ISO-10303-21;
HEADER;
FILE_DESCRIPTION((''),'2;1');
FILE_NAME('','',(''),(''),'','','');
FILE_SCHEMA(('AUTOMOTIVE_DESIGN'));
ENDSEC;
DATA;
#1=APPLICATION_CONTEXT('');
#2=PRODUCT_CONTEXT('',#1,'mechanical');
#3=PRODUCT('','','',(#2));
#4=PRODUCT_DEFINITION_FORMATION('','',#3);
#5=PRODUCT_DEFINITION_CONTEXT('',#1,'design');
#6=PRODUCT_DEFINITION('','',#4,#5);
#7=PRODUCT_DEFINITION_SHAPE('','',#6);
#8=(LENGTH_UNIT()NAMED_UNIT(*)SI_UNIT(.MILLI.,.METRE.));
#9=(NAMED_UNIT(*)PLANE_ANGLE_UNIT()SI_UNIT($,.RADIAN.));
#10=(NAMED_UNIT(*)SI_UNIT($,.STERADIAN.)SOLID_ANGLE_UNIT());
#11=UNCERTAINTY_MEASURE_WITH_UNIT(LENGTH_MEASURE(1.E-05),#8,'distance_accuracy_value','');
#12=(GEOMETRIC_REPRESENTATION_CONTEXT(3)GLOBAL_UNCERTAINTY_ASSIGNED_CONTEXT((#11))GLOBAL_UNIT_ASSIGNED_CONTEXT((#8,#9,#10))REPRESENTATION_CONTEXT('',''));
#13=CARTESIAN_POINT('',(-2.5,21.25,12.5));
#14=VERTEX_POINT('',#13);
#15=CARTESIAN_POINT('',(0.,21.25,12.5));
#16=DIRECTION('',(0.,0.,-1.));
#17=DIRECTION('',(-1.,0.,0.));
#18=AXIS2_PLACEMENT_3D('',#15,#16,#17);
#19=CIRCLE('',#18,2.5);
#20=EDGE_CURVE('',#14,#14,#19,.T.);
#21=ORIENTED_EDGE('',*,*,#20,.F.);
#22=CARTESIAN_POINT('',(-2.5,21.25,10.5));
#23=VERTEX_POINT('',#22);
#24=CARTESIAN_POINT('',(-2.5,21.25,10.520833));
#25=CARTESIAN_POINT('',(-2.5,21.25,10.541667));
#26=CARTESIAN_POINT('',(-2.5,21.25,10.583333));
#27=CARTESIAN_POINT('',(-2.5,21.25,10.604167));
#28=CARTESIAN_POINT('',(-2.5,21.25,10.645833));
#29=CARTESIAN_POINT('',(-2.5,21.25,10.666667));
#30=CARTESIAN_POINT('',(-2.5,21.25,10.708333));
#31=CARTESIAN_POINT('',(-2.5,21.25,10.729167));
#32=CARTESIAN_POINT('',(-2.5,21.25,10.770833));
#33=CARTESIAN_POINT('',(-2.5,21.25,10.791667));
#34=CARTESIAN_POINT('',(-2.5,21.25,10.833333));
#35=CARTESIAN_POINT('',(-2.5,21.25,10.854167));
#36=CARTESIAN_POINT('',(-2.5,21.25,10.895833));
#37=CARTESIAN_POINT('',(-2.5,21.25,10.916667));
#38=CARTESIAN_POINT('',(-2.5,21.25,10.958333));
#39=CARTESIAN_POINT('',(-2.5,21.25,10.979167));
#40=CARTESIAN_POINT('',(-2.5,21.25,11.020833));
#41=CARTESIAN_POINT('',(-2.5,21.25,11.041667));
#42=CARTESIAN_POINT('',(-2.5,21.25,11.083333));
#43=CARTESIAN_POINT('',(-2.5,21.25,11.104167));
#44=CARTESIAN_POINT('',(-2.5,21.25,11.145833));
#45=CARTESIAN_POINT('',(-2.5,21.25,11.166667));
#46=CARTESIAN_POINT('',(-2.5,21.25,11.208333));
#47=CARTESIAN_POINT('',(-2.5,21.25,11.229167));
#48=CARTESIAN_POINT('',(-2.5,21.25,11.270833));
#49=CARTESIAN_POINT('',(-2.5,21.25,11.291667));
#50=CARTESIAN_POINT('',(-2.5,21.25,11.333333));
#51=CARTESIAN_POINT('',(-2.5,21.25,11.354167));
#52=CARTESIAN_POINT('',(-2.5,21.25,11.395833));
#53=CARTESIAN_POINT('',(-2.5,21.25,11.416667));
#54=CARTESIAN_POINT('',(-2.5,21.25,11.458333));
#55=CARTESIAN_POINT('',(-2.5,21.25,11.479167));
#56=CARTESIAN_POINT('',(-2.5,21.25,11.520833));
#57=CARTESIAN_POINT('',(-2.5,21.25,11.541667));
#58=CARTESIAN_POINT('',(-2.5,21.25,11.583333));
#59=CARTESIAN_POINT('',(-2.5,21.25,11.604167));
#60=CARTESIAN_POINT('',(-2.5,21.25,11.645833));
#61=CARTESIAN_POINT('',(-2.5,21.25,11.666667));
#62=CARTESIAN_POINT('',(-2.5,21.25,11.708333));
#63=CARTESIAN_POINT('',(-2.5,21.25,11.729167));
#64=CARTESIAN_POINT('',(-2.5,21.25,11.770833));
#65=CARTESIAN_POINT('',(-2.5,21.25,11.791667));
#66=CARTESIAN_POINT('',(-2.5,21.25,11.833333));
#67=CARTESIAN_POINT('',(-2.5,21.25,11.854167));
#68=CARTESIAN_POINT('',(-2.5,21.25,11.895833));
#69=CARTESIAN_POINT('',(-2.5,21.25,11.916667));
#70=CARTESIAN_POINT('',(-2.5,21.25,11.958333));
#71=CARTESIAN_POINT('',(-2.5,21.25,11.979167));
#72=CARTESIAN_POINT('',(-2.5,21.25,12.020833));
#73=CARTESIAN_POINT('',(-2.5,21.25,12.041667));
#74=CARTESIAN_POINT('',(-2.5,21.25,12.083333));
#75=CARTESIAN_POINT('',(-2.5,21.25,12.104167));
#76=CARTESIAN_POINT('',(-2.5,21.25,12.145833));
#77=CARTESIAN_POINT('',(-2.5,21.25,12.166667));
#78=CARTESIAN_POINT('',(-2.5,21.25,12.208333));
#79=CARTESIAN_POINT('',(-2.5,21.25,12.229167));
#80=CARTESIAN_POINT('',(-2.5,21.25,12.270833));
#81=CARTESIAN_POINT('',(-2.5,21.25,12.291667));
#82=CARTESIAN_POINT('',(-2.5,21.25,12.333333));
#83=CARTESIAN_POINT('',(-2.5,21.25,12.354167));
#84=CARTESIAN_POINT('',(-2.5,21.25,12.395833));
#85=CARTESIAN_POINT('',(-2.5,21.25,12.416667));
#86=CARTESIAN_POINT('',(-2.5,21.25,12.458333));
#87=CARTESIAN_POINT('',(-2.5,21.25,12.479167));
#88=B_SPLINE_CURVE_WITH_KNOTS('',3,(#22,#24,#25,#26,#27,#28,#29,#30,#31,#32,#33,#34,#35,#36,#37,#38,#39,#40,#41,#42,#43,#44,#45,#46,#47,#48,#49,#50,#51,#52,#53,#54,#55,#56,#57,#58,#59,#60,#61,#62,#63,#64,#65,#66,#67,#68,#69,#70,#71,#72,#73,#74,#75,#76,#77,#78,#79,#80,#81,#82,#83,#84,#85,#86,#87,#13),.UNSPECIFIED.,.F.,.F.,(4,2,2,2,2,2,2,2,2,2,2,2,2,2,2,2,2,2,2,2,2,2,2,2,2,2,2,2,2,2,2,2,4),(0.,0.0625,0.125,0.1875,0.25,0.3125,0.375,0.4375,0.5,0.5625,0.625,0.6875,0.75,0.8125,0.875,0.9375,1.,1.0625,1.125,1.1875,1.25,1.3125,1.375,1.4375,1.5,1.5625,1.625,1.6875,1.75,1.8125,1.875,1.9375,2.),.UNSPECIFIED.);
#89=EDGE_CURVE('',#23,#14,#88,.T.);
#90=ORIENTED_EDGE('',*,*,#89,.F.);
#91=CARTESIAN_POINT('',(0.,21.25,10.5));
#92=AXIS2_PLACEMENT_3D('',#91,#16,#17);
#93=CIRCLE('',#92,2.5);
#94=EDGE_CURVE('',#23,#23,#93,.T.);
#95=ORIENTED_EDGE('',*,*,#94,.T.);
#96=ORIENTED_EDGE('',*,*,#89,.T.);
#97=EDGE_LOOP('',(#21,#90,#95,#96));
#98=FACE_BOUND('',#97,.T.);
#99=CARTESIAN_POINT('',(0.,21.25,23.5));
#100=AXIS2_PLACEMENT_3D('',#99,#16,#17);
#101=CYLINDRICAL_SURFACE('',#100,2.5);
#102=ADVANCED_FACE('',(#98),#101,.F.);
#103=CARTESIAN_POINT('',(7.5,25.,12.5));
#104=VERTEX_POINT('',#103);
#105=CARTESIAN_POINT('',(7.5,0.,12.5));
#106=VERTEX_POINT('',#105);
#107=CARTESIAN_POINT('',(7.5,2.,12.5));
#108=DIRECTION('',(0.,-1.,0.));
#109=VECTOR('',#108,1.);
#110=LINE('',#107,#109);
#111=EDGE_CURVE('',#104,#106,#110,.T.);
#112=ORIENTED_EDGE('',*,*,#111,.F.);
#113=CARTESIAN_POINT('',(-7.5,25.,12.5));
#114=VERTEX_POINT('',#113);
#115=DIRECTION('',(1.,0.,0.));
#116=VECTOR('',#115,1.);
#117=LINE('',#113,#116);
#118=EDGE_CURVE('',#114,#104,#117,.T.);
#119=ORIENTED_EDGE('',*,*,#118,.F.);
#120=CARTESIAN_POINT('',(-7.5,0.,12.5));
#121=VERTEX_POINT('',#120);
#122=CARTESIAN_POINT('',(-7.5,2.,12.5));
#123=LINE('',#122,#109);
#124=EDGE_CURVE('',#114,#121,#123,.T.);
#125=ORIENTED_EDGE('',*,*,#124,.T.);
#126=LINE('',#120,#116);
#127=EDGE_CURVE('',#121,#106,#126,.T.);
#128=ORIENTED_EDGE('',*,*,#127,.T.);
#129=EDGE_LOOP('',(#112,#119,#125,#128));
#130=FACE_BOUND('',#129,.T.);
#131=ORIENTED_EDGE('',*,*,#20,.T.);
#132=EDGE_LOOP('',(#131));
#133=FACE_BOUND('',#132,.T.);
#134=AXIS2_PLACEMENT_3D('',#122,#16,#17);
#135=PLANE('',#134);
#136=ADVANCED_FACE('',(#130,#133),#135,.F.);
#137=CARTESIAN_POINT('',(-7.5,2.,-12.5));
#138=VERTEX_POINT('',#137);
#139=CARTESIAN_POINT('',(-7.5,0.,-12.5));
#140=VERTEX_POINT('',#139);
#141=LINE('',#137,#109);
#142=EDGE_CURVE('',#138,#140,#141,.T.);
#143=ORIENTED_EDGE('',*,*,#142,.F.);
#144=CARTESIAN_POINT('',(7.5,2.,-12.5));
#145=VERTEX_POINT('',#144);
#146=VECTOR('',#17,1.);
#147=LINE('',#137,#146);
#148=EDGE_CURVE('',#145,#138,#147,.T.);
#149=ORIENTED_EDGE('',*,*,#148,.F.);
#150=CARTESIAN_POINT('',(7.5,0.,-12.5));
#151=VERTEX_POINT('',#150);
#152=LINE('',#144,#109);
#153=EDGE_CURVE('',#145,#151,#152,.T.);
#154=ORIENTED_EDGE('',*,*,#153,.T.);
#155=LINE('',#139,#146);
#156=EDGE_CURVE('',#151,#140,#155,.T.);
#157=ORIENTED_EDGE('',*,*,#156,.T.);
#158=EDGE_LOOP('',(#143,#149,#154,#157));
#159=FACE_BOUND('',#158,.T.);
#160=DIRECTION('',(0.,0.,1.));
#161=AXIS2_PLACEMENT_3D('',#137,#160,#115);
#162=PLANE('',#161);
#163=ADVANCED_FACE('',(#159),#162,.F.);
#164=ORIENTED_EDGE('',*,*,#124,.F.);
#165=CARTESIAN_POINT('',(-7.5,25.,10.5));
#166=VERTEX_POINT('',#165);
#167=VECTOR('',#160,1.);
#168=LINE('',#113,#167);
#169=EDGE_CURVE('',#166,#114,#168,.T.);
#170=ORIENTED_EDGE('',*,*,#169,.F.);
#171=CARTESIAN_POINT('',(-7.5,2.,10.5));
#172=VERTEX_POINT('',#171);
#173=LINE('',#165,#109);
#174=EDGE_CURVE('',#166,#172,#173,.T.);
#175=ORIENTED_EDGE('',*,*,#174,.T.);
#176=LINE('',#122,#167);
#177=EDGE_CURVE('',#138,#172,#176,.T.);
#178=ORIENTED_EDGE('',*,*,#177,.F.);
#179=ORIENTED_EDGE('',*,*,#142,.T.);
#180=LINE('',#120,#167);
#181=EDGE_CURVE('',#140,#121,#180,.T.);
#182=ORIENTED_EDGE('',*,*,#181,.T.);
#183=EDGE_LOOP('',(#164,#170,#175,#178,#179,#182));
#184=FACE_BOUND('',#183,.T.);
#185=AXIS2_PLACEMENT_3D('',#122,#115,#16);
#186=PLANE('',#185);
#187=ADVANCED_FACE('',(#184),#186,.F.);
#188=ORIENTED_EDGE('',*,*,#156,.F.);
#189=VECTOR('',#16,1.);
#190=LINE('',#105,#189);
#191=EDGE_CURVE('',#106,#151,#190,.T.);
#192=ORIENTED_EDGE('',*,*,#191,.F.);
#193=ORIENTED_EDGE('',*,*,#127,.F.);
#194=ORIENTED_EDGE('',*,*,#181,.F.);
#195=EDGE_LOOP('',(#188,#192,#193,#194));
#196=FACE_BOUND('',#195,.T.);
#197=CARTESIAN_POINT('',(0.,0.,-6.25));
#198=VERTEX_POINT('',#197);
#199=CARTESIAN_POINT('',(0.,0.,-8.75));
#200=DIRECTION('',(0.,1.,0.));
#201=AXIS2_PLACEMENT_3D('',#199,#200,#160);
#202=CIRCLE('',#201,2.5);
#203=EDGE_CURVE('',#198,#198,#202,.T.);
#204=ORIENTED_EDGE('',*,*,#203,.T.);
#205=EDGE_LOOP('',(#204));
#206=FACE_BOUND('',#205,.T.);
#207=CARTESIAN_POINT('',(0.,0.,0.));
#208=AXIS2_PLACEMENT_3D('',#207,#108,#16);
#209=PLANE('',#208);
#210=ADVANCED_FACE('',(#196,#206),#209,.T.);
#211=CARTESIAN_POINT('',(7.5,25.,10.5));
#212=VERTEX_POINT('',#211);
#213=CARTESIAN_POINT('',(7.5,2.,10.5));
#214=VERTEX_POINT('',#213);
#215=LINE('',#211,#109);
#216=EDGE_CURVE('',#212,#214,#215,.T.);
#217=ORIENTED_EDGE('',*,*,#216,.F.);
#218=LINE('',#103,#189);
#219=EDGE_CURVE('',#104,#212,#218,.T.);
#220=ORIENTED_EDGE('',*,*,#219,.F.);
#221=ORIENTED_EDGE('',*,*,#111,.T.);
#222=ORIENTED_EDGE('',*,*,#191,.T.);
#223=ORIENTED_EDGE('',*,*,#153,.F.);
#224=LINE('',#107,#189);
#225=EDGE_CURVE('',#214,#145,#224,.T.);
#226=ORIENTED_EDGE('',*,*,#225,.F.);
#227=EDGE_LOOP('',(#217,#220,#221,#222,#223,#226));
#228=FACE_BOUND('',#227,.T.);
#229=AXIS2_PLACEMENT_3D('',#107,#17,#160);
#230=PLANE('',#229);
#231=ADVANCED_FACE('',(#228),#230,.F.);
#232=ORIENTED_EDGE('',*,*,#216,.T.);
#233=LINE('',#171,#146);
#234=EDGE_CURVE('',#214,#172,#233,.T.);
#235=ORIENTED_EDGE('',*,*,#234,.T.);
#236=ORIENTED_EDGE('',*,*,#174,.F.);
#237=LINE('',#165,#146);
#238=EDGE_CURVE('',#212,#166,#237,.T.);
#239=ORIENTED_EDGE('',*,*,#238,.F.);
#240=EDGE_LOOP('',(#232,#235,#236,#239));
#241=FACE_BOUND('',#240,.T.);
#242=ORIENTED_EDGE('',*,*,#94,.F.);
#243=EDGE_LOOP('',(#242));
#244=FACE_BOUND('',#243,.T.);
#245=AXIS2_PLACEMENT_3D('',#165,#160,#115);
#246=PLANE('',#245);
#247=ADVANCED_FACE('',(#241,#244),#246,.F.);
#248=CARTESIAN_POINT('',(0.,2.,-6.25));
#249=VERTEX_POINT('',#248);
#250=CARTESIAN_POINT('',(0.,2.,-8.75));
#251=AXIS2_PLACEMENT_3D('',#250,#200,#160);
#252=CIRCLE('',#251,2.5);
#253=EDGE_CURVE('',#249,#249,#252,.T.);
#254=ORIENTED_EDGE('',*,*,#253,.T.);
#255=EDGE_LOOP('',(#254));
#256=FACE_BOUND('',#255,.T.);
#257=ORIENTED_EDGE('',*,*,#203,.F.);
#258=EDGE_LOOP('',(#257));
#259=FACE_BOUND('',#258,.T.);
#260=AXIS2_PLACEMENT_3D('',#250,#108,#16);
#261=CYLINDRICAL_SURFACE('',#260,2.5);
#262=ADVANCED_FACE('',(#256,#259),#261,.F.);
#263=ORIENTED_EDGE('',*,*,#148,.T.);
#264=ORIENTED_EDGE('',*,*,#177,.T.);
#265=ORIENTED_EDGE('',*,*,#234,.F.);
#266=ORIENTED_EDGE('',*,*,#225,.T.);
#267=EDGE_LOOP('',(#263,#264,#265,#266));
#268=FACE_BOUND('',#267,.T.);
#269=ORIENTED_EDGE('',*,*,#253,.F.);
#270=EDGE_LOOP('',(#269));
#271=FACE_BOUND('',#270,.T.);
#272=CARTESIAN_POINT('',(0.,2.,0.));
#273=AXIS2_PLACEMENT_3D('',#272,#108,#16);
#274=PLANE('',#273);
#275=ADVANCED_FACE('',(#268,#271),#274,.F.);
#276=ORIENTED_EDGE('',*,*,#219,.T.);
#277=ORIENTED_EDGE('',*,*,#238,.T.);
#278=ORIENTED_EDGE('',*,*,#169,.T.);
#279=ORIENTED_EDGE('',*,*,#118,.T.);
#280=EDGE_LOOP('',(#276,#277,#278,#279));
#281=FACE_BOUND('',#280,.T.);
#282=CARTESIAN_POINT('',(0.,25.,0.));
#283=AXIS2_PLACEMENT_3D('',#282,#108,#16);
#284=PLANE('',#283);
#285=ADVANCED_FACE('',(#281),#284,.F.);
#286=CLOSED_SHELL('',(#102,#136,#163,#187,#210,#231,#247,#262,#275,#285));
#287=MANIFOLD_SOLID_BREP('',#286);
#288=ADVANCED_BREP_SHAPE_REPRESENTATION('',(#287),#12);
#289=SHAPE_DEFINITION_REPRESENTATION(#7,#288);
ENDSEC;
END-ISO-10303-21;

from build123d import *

# Parameters (mm, degrees)
IZIM1_W                     = 15
IZIM1_H                     = 25
IZIM1_R                     = 2.5
Y_KSEKLIK_EKSTR_ZYON1_DEPTH = 2
IZIM2_W                     = 15
IZIM2_H                     = 2
Y_KSEKLIK_EKSTR_ZYON2_DEPTH = 23
IZIM3_R                     = 2.5
KES_EKSTR_ZYON1_DEPTH       = 13


with BuildPart() as part:
    # Çizim1 → Yükseklik-Ekstrüzyon1 (new body)
    with BuildSketch(Plane(origin=(0, 0, 0), x_dir=(1, 0, 0), z_dir=(0, 1, 0))):
        Rectangle(IZIM1_W, IZIM1_H)
        with Locations(Location((0, 8.75, 0), (0, 0, 270))):
            Circle(IZIM1_R, mode=Mode.SUBTRACT)
    extrude(amount=Y_KSEKLIK_EKSTR_ZYON1_DEPTH)

    # Çizim2 → Yükseklik-Ekstrüzyon2 (add)
    with BuildSketch(Plane(origin=(0, 2, 0), x_dir=(1, 0, 0), z_dir=(0, 1, 0))):
        with Locations((0, -11.5)):
            Rectangle(IZIM2_W, IZIM2_H)
    extrude(amount=Y_KSEKLIK_EKSTR_ZYON2_DEPTH)

    # Çizim3 → Kes-Ekstrüzyon1 (cut)
    with BuildSketch(Plane(origin=(0, 0, 10.5), x_dir=(-1, 0, 0), z_dir=(0, 0, -1))):
        with Locations((0, 21.25)):
            Circle(IZIM3_R)
    extrude(amount=-KES_EKSTR_ZYON1_DEPTH, mode=Mode.SUBTRACT)


solid = part.part
